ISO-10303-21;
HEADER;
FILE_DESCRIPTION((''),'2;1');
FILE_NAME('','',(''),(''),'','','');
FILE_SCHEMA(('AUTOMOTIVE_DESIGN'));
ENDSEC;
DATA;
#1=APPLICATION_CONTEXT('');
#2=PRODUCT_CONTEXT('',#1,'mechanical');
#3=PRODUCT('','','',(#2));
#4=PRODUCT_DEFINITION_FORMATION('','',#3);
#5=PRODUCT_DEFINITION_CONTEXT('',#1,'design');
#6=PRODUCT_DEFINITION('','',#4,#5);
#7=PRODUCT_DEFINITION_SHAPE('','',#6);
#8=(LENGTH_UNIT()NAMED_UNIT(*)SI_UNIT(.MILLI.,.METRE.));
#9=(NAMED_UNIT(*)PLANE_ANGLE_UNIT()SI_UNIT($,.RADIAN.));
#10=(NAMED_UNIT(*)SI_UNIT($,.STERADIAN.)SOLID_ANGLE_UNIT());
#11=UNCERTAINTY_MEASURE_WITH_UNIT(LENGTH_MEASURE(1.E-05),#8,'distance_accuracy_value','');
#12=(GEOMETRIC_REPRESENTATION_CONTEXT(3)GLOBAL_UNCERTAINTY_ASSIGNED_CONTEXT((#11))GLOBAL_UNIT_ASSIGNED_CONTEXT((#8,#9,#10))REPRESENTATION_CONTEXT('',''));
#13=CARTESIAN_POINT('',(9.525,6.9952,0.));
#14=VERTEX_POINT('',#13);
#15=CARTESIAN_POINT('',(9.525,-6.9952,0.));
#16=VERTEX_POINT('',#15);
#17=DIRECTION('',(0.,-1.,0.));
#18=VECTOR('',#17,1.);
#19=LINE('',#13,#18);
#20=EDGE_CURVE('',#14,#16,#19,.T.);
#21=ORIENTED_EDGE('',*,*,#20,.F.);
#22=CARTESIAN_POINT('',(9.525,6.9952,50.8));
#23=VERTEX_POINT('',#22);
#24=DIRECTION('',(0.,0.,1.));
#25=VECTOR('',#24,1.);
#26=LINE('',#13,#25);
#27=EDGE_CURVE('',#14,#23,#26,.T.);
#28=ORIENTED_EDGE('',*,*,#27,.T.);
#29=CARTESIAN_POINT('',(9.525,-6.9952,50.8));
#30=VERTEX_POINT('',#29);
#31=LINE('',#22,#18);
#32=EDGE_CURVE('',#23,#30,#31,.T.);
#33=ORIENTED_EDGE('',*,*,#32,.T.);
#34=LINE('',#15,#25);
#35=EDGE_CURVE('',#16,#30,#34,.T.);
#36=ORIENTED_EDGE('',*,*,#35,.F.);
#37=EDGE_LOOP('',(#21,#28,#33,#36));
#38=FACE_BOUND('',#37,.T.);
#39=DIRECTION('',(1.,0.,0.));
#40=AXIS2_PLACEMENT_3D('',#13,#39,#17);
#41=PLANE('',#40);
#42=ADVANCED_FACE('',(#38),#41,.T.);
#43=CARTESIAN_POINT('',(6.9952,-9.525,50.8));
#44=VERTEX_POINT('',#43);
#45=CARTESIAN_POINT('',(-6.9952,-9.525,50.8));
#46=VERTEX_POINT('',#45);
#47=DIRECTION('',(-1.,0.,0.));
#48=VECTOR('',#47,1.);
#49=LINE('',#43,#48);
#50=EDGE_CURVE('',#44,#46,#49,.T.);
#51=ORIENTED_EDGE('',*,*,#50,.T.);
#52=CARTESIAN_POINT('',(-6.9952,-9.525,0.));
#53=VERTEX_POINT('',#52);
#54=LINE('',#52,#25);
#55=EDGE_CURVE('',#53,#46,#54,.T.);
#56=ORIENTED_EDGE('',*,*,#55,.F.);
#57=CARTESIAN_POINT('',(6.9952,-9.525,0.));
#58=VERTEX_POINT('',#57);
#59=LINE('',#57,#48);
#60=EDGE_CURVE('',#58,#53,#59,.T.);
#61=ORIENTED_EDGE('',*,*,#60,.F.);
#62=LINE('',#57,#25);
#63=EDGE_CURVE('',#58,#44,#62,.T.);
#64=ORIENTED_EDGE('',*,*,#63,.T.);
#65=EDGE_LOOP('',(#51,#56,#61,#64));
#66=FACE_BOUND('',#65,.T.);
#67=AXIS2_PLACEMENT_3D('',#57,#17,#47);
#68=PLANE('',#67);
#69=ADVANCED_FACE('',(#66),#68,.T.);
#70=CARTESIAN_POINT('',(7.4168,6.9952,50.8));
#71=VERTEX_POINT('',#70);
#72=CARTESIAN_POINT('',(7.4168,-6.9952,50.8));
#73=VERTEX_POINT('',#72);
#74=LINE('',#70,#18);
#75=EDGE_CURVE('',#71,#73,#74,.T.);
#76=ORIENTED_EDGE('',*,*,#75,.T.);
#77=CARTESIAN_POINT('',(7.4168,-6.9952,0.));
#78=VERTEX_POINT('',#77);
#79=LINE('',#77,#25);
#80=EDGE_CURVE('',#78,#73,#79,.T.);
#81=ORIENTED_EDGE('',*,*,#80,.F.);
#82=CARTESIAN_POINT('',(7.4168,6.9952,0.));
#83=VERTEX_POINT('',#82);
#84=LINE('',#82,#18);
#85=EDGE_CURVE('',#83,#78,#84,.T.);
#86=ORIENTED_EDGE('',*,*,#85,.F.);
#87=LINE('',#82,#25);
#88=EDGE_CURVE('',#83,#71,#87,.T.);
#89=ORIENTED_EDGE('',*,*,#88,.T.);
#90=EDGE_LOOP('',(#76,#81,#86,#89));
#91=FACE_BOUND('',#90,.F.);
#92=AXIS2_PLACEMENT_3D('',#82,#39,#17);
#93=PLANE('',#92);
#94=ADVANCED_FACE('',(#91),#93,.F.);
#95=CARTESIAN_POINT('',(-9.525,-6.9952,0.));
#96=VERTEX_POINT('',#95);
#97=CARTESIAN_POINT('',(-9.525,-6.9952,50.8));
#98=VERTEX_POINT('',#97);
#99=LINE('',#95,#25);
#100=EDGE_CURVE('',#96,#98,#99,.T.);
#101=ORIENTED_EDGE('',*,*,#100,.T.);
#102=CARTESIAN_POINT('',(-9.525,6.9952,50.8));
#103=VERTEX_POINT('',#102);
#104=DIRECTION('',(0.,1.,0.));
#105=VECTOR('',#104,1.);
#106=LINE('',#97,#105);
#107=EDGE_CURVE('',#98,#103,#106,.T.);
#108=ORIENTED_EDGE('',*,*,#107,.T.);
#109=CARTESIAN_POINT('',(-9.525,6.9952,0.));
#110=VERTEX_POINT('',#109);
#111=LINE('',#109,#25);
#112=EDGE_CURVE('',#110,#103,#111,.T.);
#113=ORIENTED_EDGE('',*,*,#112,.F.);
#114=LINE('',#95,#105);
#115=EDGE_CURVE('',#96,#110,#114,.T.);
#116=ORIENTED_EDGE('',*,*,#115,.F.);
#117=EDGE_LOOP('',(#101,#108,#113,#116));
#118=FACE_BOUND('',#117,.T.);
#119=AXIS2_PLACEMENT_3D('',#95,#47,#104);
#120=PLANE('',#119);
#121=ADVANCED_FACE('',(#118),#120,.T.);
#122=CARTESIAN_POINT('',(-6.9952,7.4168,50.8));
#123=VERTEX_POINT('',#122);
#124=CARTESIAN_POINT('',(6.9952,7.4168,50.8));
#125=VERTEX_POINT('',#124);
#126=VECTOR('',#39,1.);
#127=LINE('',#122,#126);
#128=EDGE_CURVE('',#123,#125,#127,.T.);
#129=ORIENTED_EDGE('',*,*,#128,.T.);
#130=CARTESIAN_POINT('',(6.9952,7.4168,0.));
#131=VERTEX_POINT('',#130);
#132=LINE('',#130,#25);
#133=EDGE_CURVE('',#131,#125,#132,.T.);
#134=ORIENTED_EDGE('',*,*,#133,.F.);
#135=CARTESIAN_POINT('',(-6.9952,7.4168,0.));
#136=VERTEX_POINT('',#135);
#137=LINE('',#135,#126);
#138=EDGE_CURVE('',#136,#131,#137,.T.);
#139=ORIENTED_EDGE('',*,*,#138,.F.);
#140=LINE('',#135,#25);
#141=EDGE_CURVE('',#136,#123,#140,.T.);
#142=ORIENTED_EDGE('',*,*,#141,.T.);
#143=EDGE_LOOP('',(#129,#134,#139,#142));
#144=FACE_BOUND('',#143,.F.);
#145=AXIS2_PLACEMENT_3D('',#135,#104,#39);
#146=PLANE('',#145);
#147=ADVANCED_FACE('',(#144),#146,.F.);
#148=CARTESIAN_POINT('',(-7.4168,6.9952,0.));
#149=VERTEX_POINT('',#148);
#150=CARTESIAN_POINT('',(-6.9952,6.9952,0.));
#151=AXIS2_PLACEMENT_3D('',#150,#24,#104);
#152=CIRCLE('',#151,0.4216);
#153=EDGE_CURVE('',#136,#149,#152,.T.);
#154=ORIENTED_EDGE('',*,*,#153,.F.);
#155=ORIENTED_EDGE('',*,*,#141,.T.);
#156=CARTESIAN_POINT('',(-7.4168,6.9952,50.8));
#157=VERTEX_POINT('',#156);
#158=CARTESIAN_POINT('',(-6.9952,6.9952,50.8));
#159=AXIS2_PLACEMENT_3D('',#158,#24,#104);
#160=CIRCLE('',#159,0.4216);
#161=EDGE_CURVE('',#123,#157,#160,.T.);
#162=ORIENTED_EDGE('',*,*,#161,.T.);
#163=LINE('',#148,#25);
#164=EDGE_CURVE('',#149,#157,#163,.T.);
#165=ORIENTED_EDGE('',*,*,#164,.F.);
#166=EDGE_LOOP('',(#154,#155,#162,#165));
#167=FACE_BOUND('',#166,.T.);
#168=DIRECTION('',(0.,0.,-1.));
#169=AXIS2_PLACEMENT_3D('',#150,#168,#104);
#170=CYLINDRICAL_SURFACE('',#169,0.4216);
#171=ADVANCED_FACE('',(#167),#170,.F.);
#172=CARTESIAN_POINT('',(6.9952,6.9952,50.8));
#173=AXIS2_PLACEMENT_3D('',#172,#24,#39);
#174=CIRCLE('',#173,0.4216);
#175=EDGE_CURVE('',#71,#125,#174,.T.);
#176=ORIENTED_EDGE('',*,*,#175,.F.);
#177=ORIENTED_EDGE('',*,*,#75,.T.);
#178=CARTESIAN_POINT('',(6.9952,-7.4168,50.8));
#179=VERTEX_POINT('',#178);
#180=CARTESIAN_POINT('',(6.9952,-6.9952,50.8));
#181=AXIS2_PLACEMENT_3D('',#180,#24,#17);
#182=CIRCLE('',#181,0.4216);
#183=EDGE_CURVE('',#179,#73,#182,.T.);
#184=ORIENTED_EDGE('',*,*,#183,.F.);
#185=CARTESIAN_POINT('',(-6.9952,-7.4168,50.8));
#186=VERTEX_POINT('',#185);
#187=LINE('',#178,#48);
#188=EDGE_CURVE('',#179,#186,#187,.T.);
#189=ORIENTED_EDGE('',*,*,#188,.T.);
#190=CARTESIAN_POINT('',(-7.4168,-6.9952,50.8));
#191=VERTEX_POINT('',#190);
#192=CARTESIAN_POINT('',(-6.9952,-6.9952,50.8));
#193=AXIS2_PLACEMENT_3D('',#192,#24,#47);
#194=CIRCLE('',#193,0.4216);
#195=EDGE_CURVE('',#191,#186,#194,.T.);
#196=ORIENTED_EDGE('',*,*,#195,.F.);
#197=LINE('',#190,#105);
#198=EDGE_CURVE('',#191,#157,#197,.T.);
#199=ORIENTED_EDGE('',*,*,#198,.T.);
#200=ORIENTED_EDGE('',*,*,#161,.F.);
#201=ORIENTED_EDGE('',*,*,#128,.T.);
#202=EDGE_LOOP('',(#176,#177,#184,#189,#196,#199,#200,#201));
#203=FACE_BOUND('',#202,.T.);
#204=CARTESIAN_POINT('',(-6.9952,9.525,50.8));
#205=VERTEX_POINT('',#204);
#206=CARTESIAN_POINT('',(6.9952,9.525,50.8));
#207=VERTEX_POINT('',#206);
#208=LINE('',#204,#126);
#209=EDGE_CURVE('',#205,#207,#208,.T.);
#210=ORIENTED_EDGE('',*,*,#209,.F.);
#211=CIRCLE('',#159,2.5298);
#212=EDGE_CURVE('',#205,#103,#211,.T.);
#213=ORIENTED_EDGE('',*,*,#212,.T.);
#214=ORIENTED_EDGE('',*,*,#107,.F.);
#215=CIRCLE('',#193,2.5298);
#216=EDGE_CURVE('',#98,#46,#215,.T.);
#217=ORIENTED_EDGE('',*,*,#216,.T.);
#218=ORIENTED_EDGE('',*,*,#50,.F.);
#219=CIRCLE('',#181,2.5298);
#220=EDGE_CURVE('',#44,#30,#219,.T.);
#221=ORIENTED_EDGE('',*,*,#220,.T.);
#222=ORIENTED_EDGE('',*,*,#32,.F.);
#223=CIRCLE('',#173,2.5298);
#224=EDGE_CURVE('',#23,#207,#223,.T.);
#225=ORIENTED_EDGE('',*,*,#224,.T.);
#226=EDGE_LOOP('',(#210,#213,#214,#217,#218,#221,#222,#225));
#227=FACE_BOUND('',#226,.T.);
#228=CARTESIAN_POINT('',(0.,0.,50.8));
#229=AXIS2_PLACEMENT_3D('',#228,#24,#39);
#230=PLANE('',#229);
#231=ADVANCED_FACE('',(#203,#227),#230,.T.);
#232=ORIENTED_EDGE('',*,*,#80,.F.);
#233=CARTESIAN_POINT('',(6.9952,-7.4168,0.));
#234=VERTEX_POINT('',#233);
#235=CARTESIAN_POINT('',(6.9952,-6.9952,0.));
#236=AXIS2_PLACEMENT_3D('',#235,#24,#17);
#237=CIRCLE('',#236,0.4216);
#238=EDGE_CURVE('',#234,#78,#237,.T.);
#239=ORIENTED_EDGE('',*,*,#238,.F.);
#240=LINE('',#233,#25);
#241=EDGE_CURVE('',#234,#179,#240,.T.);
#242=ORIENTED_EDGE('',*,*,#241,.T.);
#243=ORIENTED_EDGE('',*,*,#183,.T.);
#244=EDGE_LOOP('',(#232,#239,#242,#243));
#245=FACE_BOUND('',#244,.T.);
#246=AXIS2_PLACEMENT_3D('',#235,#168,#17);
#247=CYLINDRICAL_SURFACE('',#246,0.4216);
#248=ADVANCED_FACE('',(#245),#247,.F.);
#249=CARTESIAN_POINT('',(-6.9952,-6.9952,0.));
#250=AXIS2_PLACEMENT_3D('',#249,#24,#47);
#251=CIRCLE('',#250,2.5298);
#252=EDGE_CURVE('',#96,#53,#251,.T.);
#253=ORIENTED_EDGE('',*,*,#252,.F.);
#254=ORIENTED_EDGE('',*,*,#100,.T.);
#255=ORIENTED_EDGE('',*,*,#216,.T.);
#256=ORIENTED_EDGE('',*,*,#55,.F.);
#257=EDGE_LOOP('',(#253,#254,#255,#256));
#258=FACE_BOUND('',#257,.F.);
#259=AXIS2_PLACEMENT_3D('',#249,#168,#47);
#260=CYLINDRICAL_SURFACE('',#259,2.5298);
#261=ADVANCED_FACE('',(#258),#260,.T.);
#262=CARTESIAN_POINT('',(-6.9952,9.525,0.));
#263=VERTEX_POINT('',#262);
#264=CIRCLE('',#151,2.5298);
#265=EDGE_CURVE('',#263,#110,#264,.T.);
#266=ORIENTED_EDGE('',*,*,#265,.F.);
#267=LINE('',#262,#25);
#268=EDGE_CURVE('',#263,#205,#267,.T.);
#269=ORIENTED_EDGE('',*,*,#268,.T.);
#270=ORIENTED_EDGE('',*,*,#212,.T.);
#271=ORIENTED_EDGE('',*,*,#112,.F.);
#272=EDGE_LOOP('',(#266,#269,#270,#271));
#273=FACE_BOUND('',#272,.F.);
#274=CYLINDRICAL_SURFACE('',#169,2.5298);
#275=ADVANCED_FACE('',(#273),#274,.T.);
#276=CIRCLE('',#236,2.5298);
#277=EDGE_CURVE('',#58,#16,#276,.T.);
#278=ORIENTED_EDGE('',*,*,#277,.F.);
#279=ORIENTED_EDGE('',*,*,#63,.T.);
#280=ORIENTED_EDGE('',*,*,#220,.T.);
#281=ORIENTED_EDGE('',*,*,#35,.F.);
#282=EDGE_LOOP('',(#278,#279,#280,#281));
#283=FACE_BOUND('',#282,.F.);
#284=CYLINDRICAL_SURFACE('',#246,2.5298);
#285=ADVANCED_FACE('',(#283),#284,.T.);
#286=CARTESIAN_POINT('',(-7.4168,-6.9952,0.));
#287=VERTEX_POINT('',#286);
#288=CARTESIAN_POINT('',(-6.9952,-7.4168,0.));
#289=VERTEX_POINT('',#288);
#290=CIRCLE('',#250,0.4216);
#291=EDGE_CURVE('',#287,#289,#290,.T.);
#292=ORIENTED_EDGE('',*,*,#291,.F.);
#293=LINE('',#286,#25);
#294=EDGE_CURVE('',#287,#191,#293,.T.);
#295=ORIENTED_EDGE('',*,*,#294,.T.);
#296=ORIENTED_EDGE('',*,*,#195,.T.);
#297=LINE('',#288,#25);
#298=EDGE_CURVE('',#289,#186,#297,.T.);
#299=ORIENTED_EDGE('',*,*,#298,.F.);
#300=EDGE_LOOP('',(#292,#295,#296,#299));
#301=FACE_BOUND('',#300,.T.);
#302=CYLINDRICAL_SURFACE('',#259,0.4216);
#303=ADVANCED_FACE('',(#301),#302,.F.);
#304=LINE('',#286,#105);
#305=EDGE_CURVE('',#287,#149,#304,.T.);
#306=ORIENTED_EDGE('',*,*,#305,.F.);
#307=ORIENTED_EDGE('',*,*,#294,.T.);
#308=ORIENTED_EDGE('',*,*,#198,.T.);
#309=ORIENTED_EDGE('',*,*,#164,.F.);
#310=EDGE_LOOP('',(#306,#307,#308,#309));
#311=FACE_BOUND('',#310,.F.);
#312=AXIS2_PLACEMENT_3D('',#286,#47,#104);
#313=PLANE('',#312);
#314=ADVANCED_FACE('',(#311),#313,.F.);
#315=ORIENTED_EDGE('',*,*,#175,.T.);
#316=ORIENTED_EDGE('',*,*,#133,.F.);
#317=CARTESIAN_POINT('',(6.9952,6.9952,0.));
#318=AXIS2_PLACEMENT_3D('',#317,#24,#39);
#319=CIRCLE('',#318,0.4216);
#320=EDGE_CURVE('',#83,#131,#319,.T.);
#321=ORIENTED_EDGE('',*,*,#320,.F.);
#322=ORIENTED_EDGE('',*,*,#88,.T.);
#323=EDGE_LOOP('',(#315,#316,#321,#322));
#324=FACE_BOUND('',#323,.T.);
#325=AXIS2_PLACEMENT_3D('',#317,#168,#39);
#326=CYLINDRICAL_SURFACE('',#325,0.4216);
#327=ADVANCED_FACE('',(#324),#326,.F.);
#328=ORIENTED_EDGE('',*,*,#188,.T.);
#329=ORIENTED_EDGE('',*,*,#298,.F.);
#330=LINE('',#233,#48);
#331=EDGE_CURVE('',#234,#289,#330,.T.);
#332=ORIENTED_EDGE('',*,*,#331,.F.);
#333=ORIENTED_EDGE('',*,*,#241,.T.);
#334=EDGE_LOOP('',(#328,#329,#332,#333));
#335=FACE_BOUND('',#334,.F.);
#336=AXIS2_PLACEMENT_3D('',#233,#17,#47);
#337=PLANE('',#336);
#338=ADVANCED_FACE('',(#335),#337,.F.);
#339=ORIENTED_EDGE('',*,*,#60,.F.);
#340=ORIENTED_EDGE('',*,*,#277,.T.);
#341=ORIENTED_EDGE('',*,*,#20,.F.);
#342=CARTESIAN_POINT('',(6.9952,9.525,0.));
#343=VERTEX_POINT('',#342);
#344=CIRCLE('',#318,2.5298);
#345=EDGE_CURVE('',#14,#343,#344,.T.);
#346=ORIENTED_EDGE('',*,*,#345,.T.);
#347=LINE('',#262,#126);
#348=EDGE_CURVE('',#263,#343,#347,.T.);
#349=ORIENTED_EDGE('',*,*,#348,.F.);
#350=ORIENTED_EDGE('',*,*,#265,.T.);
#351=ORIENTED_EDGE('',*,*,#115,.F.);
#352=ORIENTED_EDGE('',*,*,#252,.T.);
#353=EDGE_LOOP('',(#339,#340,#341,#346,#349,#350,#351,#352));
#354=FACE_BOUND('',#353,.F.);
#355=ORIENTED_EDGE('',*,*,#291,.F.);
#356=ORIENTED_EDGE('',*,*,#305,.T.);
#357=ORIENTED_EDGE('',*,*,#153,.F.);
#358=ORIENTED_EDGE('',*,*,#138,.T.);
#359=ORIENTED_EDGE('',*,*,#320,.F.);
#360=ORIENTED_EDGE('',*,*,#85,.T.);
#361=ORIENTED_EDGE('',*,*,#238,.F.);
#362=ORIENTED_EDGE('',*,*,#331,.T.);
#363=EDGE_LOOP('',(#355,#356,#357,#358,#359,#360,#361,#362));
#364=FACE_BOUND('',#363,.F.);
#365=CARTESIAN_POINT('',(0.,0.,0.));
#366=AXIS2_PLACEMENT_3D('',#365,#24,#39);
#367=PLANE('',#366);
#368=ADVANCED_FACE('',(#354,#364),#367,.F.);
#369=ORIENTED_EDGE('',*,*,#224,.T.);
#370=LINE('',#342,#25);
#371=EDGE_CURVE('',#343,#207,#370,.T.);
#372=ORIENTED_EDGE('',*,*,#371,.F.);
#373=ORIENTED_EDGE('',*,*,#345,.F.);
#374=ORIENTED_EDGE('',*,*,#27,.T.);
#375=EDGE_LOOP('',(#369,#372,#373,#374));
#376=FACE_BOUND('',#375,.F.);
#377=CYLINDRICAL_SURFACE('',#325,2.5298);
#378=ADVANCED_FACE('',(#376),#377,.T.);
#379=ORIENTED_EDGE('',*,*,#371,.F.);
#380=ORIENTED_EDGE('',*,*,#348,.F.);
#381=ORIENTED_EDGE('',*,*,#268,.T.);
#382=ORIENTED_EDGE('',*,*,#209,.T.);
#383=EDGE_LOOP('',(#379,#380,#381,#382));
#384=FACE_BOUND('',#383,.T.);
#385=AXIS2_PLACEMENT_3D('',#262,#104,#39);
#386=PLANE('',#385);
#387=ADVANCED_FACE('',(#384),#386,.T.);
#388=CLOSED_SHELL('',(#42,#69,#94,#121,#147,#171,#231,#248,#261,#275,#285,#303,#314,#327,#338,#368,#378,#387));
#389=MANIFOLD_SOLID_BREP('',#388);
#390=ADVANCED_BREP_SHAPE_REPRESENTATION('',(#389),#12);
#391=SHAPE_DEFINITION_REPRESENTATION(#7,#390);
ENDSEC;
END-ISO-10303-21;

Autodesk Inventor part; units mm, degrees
ref_plane "YZ Plane" through (0, 0, 0) normal (1, 0, 0) x (0, 1, 0)
ref_plane "Start plane" through (0, 0, 0) normal (0, 0, 1) x (1, 0, 0)
ref_plane "End plane" through (0, 0, 50.8) normal (0, 0, 1) x (1, 0, 0)
sketch "Sketch" plane through (0, 0, 0) normal (0, 0, 1) x (1, 0, 0)
  line L0 (-9.525, -6.9952) -> (-9.525, 6.9952)
  line L1 (-6.9952, 9.525) -> (6.9952, 9.525)
  line L2 (9.525, 6.9952) -> (9.525, -6.9952)
  line L3 (6.9952, -9.525) -> (-6.9952, -9.525)
  arc A0 (-9.525, -6.9952) -> (-6.9952, -9.525) centre (-6.9952, -6.9952) ccw
  arc A1 (-6.9952, 9.525) -> (-9.525, 6.9952) centre (-6.9952, 6.9952) ccw
  arc A2 (9.525, 6.9952) -> (6.9952, 9.525) centre (6.9952, 6.9952) ccw
  arc A3 (6.9952, -9.525) -> (9.525, -6.9952) centre (6.9952, -6.9952) ccw
  arc A4 (-6.9952, 7.4168) -> (-7.4168, 6.9952) centre (-6.9952, 6.9952) ccw
  line L4 (-6.9952, 7.4168) -> (6.9952, 7.4168)
  arc A5 (7.4168, 6.9952) -> (6.9952, 7.4168) centre (6.9952, 6.9952) ccw
  line L5 (7.4168, 6.9952) -> (7.4168, -6.9952)
  arc A6 (6.9952, -7.4168) -> (7.4168, -6.9952) centre (6.9952, -6.9952) ccw
  line L6 (6.9952, -7.4168) -> (-6.9952, -7.4168)
  arc A7 (-7.4168, -6.9952) -> (-6.9952, -7.4168) centre (-6.9952, -6.9952) ccw
  line L7 (-7.4168, -6.9952) -> (-7.4168, 6.9952)
  line L8 (0, 14.0685) -> (0, -14.0685) construction
  line L9 (-14.0685, 0) -> (14.0685, 0) construction
  dimension "d10" = 19.05
  dimension "d11" = 19.05
  dimension "d12" = 2.1082
  dimension "d15" = 9.525
  dimension "d16" = 9.525
  dimension "d17" = 2.5298
extrude "Body" add sketch "Sketch" along normal up to surface (50.8 mm away) from surface at 0
sketch "Sketch3" plane through (0, 0, 0) normal (0, 0, 1) x (1, 0, 0)
  line L0 (0, 0) -> (10, 0)
ref_plane "Work Plane3" through (0, 0, 0) normal (0, -1, 0) x (1, 0, 0)
sketch "Sketch4" plane through (0, 0, 0) normal (0, -1, 0) x (1, 0, 0)
  line L0 (-2, 0) -> (12, 0)
  line L1 (-2, 50.8) -> (12, 50.8)
  dimension "d19" = 50.8
equation "\"d10\" = G_H"
equation "\"d11\" = G_W"
equation "\"d12\" = G_T"
equation "\"d15\" = 0.5 * d10"
equation "\"d16\" = 0.5 * d11"
equation "\"d17\" = G_IR"
equation "\"d3\" = G_L"
equation "\"G_W\" = 19.05"
equation "\"G_H\" = 19.05"
equation "\"G_T\" = 2.1082"
equation "\"G_IR\" = 1.2 * G_T"
equation "\"G_L\" = d19"
equation "\"G_OFFSET_START\" = 0"
equation "\"G_OFFSET_END\" = 0"
equation "\"d14\" = G_OFFSET_END + B_L"
equation "\"B_L\" = 50.8"
properties part number "ASTM A513 - 3/4 x 3/4 x 83/1000 - 2" material "Steel, Mild"
